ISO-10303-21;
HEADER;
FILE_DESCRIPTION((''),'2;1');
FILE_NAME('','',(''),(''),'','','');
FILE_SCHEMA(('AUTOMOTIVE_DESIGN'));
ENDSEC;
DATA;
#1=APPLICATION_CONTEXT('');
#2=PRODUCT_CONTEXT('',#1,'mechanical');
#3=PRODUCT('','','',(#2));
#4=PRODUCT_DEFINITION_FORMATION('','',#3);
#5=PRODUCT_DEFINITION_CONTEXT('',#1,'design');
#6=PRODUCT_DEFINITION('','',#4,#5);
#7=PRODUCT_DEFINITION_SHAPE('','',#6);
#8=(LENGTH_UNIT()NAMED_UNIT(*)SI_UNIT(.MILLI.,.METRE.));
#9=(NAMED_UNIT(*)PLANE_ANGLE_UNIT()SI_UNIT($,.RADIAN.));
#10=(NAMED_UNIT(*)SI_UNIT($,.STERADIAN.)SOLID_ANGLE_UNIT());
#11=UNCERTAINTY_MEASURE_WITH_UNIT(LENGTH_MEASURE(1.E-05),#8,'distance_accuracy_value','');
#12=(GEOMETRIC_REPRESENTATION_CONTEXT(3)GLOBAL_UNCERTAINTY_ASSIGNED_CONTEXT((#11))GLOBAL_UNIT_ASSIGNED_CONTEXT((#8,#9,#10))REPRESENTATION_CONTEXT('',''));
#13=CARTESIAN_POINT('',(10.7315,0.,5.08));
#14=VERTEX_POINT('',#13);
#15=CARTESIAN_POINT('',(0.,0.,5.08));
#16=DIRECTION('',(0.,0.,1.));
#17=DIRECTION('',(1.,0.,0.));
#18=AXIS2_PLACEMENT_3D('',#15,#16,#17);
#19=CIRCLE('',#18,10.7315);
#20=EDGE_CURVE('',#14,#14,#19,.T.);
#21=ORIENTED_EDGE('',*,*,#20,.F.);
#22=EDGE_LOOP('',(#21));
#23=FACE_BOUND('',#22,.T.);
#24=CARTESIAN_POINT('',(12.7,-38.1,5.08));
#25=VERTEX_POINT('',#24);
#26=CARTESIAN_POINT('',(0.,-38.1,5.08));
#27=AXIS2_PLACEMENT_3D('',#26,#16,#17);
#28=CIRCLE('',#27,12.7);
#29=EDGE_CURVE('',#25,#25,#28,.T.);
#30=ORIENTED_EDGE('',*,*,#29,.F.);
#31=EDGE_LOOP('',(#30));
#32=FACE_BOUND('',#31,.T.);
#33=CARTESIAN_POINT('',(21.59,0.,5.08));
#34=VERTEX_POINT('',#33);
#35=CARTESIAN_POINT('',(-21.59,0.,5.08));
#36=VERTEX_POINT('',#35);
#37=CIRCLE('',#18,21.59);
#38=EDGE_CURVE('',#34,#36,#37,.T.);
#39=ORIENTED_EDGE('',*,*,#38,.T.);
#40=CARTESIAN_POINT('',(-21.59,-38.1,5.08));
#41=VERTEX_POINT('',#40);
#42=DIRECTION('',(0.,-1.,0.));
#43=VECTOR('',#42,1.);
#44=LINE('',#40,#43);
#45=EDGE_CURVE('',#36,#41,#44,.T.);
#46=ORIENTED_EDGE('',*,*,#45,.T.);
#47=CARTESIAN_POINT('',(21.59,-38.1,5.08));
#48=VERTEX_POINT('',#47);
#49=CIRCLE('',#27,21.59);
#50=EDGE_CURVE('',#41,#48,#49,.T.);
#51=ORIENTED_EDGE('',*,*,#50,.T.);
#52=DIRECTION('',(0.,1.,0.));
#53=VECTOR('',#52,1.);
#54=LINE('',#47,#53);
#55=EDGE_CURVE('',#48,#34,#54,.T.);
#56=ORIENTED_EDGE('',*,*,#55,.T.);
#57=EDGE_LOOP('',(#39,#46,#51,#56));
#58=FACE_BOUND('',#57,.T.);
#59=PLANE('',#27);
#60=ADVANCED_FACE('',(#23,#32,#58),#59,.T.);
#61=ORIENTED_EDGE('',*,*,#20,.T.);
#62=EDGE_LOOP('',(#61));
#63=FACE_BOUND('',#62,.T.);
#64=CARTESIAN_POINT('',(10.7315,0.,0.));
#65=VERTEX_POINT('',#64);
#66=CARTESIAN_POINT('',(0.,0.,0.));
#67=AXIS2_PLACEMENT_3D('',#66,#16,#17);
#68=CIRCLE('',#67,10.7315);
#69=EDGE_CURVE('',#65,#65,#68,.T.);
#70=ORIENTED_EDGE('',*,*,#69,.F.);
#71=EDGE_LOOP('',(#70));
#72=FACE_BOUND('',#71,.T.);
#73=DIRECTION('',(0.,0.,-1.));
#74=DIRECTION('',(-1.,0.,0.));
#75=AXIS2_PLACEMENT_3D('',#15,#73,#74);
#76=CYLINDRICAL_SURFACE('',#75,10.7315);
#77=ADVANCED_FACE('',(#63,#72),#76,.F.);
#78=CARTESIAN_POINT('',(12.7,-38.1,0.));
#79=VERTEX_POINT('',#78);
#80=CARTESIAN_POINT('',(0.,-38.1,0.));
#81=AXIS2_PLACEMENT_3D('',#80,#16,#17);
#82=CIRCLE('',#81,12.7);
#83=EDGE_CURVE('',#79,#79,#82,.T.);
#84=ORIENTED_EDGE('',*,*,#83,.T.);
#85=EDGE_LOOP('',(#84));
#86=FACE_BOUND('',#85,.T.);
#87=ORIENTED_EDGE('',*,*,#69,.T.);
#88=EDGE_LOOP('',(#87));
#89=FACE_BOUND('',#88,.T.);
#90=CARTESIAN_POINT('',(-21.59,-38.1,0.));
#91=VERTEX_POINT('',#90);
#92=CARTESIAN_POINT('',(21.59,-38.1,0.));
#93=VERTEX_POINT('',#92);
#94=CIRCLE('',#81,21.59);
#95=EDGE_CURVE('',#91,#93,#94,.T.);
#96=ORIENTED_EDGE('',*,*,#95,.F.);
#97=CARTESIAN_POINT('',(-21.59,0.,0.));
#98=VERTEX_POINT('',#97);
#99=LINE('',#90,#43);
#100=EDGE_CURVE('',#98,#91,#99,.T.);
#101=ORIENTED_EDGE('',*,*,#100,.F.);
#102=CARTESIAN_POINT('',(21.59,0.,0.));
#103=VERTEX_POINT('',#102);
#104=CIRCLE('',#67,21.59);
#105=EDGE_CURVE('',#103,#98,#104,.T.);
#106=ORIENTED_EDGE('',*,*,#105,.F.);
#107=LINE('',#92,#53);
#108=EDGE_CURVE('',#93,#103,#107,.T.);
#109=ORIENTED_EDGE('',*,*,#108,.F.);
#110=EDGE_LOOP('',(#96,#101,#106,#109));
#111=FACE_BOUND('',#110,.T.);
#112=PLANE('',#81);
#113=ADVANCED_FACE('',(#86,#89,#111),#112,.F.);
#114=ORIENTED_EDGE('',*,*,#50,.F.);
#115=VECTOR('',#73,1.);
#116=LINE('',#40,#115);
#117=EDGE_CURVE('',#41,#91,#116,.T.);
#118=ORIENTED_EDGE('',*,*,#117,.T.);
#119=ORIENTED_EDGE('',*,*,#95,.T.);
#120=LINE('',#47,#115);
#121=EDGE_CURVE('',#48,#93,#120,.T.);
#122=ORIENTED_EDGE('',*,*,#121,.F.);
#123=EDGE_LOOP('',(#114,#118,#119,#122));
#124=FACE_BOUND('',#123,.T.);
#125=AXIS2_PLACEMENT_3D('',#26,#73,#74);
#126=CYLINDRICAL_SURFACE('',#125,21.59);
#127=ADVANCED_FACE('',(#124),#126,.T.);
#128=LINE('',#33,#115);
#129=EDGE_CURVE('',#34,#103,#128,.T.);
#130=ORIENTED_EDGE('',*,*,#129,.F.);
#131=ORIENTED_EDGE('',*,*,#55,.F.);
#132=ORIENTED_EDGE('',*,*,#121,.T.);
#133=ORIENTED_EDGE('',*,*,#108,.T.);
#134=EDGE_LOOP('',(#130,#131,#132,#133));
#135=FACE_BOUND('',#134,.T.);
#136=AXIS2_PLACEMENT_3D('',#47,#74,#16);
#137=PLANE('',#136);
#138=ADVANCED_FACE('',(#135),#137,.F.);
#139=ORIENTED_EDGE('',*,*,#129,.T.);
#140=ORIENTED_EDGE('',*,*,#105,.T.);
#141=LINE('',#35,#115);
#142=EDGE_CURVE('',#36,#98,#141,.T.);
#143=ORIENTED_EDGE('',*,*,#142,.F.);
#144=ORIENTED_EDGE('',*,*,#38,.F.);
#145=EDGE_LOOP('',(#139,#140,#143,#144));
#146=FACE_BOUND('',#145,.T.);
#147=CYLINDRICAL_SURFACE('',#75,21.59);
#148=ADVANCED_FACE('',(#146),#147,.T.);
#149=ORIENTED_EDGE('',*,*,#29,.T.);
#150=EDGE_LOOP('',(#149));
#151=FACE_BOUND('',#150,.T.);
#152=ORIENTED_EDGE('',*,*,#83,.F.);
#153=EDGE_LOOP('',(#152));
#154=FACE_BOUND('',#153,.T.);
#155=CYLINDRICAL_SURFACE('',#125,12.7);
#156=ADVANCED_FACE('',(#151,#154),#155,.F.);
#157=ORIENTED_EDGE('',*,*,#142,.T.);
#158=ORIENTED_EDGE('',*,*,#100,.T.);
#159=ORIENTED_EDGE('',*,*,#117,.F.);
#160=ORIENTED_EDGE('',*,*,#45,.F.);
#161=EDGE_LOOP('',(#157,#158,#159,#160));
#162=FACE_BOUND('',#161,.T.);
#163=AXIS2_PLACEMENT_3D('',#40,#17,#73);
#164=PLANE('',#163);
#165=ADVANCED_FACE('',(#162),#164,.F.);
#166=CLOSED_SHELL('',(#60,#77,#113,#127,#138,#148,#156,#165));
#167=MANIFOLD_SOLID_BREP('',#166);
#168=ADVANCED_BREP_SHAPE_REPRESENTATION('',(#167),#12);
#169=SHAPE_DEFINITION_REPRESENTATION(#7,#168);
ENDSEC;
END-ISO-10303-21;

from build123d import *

# Parameters (mm, degrees)
SKETCH1_R           = 10.7315
SKETCH1_R_2         = 12.7
BOSS_EXTRUDE1_DEPTH = 5.08


with BuildPart() as part:
    # Sketch1 → Boss-Extrude1 (new body)
    with BuildSketch(Plane.XY):
        with BuildLine():
            Line((-21.59, -38.1), (-21.59, 0))
            ThreePointArc((-21.59, 0), (0, 21.59), (21.59, 0))
            Line((21.59, 0), (21.59, -38.1))
            ThreePointArc((21.59, -38.1), (0, -59.69), (-21.59, -38.1))
        make_face()
        Circle(SKETCH1_R, mode=Mode.SUBTRACT)
        with Locations((0, -38.1)):
            Circle(SKETCH1_R_2, mode=Mode.SUBTRACT)
    extrude(amount=BOSS_EXTRUDE1_DEPTH)


solid = part.part
